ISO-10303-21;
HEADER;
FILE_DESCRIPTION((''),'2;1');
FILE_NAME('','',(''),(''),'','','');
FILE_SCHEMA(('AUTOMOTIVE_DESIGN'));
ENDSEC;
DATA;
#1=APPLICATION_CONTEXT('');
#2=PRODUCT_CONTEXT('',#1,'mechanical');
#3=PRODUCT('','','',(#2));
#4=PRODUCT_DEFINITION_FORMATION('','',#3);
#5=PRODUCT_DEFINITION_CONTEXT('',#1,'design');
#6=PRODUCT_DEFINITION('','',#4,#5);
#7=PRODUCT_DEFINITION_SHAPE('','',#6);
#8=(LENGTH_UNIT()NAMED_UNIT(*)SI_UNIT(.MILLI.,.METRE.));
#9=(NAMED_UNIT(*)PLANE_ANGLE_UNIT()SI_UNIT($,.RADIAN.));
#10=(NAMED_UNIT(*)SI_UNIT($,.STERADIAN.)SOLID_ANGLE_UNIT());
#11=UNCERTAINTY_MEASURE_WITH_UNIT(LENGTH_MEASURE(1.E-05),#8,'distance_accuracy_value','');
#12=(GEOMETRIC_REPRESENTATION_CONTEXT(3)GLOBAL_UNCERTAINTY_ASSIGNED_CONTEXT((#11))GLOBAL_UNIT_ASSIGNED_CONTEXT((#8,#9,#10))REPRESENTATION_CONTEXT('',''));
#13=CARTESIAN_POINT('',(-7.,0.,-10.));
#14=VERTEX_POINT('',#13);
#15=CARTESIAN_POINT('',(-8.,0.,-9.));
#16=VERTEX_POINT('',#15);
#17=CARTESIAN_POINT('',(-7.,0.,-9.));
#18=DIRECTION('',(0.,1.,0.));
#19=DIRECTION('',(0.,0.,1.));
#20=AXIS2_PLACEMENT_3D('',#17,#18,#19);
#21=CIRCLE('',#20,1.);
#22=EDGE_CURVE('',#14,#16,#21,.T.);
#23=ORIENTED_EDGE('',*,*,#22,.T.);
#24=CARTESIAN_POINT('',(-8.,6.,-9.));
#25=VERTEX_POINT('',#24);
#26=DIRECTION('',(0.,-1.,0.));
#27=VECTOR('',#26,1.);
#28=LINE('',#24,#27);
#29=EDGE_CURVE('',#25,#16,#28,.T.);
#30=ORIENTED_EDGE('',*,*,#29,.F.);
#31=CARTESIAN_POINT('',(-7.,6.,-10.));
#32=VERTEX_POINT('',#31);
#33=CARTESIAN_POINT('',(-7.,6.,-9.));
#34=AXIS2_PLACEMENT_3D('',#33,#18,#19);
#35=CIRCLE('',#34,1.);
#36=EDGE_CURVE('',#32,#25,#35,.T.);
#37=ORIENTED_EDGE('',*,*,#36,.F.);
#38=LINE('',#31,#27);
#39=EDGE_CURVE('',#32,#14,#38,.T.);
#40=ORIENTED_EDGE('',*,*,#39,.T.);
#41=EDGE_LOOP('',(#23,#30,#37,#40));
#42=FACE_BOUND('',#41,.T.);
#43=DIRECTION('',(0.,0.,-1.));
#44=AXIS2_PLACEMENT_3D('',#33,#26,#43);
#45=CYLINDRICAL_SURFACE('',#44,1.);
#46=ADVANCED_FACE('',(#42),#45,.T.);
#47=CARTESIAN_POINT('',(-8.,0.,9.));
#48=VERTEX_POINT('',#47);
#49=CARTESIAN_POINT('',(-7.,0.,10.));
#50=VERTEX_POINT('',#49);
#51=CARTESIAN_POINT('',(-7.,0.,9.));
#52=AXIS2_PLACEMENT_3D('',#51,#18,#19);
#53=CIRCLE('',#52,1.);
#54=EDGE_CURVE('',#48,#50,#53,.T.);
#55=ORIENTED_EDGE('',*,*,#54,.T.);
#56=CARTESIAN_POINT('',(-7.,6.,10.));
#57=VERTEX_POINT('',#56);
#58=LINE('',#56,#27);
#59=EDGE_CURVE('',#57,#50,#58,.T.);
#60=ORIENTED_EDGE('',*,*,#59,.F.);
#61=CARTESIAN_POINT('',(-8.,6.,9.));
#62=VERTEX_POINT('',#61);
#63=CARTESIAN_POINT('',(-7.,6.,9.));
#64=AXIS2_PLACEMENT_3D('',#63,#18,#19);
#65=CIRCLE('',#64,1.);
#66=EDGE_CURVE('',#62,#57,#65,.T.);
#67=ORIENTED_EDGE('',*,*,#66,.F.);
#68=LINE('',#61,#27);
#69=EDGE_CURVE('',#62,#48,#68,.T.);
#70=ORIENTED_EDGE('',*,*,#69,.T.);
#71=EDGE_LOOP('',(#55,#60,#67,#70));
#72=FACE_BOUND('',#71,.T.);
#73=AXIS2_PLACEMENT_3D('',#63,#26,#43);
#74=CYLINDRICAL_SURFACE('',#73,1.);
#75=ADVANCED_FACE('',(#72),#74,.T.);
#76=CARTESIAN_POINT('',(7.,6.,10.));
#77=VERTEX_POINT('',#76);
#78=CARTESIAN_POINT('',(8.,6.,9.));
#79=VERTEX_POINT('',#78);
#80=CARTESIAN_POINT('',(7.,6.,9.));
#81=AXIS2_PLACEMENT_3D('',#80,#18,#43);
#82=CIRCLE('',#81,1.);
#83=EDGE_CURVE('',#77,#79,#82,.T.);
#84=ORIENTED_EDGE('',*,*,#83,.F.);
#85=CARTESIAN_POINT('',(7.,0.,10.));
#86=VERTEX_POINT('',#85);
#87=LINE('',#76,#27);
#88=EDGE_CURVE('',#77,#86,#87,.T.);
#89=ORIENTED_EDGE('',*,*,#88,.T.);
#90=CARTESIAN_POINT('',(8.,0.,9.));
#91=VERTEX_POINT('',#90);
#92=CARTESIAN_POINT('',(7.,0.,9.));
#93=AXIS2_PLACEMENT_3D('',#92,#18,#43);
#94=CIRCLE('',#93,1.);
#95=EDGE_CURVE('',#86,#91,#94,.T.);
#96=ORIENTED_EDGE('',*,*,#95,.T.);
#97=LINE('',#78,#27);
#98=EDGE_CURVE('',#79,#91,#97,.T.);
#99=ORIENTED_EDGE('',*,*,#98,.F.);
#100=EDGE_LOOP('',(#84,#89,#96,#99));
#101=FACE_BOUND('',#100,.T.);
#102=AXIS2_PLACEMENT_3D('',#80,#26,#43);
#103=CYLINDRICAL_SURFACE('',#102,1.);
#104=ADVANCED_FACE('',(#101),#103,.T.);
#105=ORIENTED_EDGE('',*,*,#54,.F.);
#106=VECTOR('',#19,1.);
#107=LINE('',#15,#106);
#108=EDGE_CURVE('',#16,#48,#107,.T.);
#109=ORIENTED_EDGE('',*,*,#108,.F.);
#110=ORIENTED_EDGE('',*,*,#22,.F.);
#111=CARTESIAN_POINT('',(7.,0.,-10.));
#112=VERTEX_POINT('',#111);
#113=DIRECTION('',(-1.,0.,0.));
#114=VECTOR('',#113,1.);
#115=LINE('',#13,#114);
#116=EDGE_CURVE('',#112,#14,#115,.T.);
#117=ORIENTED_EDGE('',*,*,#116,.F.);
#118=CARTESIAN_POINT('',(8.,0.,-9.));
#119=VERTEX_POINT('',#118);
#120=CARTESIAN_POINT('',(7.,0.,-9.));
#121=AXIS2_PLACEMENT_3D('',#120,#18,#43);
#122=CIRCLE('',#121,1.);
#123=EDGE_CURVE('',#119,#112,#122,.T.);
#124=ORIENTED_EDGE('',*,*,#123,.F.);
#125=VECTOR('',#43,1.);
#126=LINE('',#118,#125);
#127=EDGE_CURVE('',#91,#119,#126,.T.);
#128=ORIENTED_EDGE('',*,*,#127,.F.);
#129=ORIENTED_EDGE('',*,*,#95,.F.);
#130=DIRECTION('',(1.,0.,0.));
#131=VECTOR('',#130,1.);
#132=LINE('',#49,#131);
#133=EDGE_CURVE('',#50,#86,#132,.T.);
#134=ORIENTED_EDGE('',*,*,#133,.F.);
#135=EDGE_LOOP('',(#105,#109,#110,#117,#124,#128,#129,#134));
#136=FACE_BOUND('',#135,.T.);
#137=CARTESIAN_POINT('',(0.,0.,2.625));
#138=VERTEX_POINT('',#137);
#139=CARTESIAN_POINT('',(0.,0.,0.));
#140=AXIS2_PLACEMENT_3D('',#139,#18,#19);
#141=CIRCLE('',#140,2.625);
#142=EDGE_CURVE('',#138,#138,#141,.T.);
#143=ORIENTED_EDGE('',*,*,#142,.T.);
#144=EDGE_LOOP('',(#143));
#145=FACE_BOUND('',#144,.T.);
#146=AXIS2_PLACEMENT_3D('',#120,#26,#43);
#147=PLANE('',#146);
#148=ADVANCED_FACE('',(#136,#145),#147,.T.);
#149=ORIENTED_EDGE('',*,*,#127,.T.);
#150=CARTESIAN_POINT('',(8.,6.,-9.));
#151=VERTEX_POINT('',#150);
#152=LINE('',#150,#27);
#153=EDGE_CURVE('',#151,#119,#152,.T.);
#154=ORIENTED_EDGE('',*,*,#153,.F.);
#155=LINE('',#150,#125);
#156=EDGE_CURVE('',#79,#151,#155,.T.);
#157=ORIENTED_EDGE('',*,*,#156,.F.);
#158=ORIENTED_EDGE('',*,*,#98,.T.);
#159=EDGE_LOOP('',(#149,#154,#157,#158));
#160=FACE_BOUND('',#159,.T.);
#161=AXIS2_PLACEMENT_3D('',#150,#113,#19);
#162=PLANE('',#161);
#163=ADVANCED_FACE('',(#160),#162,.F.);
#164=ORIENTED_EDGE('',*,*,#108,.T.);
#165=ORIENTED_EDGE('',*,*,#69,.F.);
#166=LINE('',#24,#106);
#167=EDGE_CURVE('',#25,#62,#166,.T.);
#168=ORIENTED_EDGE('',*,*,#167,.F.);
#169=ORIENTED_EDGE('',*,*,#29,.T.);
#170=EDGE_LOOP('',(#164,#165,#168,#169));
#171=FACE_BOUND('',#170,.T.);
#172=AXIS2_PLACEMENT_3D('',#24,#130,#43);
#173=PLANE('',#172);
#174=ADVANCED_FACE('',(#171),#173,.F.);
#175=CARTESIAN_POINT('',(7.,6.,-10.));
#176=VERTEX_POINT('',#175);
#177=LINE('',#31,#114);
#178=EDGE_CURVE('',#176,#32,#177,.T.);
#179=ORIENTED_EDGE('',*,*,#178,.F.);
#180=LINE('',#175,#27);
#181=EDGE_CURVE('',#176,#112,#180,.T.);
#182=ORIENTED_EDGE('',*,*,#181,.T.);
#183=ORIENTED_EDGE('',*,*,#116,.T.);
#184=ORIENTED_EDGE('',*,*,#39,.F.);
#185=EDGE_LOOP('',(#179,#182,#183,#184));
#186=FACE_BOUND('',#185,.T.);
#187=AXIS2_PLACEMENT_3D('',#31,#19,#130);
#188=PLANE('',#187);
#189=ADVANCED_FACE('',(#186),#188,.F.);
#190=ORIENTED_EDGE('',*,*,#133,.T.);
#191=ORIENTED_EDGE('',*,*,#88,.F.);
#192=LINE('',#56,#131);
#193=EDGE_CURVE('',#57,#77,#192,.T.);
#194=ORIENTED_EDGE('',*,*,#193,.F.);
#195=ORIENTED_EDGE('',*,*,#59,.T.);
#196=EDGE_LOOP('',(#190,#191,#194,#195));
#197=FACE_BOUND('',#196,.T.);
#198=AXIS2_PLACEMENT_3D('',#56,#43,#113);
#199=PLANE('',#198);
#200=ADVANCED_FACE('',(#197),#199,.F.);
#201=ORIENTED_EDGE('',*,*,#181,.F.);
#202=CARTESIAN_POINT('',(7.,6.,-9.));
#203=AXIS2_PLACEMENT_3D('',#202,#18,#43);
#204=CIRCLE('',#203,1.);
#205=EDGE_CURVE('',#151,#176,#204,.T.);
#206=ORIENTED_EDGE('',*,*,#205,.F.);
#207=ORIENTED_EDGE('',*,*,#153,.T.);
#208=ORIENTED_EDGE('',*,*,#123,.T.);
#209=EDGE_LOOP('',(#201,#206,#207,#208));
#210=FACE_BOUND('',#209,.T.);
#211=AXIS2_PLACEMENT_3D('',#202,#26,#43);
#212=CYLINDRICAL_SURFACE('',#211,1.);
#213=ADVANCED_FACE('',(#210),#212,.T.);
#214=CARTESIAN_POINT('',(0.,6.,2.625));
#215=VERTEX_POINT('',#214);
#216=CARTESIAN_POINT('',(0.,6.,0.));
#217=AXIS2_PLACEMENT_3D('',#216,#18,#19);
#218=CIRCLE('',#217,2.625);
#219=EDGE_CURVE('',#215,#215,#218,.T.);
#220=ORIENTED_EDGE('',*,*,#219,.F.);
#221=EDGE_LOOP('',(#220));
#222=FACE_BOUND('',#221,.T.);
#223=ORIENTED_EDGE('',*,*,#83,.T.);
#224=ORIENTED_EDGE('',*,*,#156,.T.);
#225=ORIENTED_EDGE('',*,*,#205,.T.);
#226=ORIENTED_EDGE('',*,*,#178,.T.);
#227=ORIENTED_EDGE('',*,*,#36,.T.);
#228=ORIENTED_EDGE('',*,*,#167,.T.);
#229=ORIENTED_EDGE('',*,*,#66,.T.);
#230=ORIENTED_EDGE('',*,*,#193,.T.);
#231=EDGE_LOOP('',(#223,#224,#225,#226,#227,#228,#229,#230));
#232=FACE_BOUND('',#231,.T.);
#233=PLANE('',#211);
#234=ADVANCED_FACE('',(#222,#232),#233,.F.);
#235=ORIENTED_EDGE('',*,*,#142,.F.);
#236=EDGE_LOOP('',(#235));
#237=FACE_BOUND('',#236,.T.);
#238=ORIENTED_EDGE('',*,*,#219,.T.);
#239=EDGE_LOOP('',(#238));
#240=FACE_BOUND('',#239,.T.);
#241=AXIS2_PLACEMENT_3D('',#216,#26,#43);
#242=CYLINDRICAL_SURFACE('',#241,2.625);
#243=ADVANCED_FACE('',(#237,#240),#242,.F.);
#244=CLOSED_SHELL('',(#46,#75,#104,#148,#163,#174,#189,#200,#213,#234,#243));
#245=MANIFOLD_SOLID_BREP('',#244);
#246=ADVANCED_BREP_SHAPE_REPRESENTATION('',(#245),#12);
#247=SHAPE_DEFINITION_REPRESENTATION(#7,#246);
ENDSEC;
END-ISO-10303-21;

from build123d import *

# Parameters (mm, degrees)
SKETCH1_R           = 2.625
BOSS_EXTRUDE1_DEPTH = 6


with BuildPart() as part:
    # Sketch1 → Boss-Extrude1 (new body)
    with BuildSketch(Plane(origin=(0, 0, 0), x_dir=(1, 0, 0), z_dir=(0, 1, 0))):
        with BuildLine():
            Line((-7, 10), (7, 10))
            ThreePointArc((7, 10), (7.707106781, 9.707106781), (8, 9))
            Line((8, 9), (8, -9))
            ThreePointArc((8, -9), (7.707106781, -9.707106781), (7, -10))
            Line((7, -10), (-7, -10))
            ThreePointArc((-7, -10), (-7.707106781, -9.707106781), (-8, -9))
            Line((-8, -9), (-8, 9))
            ThreePointArc((-8, 9), (-7.707106781, 9.707106781), (-7, 10))
        make_face()
        Circle(SKETCH1_R, mode=Mode.SUBTRACT)
    extrude(amount=BOSS_EXTRUDE1_DEPTH)


solid = part.part
